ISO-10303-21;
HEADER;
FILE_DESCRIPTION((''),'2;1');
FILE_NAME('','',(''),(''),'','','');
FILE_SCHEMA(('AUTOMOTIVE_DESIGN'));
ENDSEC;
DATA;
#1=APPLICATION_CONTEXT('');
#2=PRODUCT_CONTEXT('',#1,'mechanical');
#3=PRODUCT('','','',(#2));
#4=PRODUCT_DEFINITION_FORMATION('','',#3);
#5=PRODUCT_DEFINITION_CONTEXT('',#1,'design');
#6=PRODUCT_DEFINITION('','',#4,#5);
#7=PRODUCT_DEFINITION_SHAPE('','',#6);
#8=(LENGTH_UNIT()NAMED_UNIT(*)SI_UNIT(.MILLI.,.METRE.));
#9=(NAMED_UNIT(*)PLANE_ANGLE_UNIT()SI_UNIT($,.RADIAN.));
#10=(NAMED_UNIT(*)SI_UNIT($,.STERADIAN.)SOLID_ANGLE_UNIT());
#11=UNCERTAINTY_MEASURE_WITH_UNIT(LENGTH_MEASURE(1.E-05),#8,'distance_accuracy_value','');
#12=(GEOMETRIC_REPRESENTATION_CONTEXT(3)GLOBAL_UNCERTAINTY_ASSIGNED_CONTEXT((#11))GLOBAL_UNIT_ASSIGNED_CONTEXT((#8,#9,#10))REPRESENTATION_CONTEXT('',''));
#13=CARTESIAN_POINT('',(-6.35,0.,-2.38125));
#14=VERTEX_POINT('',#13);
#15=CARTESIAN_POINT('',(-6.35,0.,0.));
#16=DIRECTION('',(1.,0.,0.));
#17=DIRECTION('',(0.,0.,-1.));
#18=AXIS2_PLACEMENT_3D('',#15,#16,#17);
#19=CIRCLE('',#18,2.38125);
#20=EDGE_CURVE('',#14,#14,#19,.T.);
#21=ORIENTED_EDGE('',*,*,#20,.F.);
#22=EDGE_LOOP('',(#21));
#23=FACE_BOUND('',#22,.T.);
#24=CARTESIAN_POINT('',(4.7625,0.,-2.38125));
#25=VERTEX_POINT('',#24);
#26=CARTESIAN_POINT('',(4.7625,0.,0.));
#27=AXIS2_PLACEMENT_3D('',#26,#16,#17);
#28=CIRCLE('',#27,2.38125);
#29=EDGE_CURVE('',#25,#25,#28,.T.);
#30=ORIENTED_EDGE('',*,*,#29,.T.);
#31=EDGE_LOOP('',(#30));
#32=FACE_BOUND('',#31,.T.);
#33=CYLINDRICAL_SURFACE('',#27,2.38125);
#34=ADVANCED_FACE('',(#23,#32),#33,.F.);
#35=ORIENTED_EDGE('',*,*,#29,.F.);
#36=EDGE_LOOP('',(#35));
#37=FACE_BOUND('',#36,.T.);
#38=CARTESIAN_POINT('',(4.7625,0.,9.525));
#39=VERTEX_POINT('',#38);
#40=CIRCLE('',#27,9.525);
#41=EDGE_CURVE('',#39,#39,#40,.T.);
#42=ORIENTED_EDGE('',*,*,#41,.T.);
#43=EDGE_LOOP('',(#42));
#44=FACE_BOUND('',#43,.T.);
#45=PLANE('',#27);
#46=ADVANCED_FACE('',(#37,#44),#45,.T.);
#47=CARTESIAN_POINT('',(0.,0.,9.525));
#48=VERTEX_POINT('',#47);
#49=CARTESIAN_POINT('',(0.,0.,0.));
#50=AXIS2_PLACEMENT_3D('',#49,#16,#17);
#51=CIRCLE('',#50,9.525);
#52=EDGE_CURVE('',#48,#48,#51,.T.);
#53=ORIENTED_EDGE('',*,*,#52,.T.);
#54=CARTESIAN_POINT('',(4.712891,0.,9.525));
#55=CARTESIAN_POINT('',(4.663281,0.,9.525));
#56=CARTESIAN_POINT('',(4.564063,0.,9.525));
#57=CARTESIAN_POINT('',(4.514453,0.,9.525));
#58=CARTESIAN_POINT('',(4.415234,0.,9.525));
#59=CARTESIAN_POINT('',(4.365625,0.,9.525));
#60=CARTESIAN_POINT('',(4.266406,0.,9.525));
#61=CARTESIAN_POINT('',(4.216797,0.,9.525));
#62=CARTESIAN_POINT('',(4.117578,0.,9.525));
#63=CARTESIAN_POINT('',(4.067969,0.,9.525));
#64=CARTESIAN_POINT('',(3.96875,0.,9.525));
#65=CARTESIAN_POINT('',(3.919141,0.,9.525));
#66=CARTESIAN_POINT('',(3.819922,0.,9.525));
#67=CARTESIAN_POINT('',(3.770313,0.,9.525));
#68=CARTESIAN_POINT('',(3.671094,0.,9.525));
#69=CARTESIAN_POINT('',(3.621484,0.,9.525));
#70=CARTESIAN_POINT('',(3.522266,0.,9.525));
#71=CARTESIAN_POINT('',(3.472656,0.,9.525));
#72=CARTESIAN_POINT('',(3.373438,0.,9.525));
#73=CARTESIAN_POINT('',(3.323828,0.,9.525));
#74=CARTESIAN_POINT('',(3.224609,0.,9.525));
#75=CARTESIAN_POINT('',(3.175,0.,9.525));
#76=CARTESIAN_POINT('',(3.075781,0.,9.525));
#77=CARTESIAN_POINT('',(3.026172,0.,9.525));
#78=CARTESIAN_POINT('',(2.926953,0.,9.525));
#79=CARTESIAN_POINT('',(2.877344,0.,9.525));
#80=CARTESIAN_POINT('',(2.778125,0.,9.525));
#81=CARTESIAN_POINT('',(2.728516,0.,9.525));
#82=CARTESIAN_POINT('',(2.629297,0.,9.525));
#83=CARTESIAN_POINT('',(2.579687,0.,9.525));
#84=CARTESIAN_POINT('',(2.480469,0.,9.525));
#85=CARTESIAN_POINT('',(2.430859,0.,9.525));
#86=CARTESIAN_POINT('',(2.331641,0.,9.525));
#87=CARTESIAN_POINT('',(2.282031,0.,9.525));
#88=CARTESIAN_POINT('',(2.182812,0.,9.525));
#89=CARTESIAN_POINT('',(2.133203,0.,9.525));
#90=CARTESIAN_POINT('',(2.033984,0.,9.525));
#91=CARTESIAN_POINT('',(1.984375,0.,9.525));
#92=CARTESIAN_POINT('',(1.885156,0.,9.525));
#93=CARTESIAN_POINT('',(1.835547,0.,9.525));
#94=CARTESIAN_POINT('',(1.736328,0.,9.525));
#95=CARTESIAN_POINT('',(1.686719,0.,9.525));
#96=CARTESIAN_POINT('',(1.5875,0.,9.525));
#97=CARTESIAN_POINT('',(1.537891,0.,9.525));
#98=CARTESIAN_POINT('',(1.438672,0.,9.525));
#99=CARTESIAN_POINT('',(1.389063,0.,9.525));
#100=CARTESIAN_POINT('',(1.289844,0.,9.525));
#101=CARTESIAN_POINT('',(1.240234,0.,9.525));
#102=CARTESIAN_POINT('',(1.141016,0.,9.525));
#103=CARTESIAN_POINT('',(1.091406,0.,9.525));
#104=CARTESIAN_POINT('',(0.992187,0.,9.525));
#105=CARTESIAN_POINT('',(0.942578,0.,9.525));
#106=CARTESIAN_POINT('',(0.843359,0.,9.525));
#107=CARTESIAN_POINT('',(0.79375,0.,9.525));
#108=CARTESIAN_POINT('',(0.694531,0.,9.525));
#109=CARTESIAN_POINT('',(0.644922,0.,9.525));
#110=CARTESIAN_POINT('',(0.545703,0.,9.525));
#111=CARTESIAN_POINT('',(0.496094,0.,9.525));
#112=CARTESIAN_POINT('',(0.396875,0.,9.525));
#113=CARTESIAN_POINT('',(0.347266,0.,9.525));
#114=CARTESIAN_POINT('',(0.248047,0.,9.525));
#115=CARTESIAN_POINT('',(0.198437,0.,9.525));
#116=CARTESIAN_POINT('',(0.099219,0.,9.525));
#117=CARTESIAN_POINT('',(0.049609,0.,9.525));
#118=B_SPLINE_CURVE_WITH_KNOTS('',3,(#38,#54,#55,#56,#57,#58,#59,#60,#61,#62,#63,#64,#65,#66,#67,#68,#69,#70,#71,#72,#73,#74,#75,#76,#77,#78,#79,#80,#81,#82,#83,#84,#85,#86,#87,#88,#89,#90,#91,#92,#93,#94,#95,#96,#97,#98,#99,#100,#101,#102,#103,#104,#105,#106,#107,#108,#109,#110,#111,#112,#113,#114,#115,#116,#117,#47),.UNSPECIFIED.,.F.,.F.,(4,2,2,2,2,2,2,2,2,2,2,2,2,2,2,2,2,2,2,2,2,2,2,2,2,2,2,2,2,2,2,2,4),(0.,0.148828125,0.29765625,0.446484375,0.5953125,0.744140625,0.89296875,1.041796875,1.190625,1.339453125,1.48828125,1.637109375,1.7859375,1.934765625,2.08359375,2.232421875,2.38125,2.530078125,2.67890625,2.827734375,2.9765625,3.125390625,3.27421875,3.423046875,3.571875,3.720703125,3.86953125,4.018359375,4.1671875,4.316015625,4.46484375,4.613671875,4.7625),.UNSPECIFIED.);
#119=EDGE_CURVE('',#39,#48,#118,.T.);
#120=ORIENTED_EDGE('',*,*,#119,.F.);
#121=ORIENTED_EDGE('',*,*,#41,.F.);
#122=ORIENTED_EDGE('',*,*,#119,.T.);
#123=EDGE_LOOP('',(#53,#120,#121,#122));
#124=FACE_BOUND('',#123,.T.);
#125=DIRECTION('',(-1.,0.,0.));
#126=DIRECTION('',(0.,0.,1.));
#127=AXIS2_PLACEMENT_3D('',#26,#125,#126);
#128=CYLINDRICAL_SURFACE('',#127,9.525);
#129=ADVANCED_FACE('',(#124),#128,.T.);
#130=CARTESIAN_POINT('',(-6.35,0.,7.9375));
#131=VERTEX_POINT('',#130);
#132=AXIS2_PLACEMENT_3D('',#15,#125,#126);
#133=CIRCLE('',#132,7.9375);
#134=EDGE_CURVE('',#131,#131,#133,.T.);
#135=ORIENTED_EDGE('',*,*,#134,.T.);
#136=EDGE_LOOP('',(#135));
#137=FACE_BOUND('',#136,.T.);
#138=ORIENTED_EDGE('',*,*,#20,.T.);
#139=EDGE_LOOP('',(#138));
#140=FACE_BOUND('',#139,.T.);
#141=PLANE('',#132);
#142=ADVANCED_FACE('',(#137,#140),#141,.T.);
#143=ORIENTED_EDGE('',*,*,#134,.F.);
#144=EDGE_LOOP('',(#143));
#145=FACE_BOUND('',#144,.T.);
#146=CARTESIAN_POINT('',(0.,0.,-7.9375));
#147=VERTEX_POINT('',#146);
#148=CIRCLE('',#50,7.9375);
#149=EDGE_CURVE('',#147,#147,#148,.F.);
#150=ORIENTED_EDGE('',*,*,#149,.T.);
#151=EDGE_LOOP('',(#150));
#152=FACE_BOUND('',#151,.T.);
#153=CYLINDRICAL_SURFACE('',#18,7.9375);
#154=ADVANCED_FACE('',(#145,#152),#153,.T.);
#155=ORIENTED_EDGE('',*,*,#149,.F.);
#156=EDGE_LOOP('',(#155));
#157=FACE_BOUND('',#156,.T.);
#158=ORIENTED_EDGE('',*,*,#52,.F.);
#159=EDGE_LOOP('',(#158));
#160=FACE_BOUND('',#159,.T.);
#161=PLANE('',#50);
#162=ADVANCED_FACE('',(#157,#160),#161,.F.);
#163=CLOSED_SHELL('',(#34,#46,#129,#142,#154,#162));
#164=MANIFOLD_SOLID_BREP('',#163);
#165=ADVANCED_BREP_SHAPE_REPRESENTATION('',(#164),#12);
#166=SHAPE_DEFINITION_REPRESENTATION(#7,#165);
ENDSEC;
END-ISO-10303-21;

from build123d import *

# Parameters (mm, degrees)
SKETCH1_R             = 9.525
BOSS_EXTRUDE1_DEPTH   = 4.7625
SKETCH2_R             = 7.9375
BOSS_EXTRUDE2_DEPTH   = 6.35
F_4_CLEARANCE_HOLE1_D = 4.7625


with BuildPart() as part:
    # Sketch1 → Boss-Extrude1 (new body)
    with BuildSketch(Plane(origin=(0, 0, 0), x_dir=(0, 0, -1), z_dir=(1, 0, 0))):
        with Locations(Location((0, 0, 0), (0, 0, 180))):
            Circle(SKETCH1_R)
    extrude(amount=BOSS_EXTRUDE1_DEPTH)

    # Sketch2 → Boss-Extrude2 (add)
    with BuildSketch(Plane.ZY):
        with Locations(Location((0, 0, 0), (0, 0, 180))):
            Circle(SKETCH2_R)
    extrude(amount=BOSS_EXTRUDE2_DEPTH)

    # #4 Clearance Hole1 (through all)
    with Locations(Plane(origin=(4.7625, 0, 0), x_dir=(0, 0, -1), z_dir=(1, 0, 0))):
        with Locations((0, 0)):
            Hole(F_4_CLEARANCE_HOLE1_D / 2)


solid = part.part
